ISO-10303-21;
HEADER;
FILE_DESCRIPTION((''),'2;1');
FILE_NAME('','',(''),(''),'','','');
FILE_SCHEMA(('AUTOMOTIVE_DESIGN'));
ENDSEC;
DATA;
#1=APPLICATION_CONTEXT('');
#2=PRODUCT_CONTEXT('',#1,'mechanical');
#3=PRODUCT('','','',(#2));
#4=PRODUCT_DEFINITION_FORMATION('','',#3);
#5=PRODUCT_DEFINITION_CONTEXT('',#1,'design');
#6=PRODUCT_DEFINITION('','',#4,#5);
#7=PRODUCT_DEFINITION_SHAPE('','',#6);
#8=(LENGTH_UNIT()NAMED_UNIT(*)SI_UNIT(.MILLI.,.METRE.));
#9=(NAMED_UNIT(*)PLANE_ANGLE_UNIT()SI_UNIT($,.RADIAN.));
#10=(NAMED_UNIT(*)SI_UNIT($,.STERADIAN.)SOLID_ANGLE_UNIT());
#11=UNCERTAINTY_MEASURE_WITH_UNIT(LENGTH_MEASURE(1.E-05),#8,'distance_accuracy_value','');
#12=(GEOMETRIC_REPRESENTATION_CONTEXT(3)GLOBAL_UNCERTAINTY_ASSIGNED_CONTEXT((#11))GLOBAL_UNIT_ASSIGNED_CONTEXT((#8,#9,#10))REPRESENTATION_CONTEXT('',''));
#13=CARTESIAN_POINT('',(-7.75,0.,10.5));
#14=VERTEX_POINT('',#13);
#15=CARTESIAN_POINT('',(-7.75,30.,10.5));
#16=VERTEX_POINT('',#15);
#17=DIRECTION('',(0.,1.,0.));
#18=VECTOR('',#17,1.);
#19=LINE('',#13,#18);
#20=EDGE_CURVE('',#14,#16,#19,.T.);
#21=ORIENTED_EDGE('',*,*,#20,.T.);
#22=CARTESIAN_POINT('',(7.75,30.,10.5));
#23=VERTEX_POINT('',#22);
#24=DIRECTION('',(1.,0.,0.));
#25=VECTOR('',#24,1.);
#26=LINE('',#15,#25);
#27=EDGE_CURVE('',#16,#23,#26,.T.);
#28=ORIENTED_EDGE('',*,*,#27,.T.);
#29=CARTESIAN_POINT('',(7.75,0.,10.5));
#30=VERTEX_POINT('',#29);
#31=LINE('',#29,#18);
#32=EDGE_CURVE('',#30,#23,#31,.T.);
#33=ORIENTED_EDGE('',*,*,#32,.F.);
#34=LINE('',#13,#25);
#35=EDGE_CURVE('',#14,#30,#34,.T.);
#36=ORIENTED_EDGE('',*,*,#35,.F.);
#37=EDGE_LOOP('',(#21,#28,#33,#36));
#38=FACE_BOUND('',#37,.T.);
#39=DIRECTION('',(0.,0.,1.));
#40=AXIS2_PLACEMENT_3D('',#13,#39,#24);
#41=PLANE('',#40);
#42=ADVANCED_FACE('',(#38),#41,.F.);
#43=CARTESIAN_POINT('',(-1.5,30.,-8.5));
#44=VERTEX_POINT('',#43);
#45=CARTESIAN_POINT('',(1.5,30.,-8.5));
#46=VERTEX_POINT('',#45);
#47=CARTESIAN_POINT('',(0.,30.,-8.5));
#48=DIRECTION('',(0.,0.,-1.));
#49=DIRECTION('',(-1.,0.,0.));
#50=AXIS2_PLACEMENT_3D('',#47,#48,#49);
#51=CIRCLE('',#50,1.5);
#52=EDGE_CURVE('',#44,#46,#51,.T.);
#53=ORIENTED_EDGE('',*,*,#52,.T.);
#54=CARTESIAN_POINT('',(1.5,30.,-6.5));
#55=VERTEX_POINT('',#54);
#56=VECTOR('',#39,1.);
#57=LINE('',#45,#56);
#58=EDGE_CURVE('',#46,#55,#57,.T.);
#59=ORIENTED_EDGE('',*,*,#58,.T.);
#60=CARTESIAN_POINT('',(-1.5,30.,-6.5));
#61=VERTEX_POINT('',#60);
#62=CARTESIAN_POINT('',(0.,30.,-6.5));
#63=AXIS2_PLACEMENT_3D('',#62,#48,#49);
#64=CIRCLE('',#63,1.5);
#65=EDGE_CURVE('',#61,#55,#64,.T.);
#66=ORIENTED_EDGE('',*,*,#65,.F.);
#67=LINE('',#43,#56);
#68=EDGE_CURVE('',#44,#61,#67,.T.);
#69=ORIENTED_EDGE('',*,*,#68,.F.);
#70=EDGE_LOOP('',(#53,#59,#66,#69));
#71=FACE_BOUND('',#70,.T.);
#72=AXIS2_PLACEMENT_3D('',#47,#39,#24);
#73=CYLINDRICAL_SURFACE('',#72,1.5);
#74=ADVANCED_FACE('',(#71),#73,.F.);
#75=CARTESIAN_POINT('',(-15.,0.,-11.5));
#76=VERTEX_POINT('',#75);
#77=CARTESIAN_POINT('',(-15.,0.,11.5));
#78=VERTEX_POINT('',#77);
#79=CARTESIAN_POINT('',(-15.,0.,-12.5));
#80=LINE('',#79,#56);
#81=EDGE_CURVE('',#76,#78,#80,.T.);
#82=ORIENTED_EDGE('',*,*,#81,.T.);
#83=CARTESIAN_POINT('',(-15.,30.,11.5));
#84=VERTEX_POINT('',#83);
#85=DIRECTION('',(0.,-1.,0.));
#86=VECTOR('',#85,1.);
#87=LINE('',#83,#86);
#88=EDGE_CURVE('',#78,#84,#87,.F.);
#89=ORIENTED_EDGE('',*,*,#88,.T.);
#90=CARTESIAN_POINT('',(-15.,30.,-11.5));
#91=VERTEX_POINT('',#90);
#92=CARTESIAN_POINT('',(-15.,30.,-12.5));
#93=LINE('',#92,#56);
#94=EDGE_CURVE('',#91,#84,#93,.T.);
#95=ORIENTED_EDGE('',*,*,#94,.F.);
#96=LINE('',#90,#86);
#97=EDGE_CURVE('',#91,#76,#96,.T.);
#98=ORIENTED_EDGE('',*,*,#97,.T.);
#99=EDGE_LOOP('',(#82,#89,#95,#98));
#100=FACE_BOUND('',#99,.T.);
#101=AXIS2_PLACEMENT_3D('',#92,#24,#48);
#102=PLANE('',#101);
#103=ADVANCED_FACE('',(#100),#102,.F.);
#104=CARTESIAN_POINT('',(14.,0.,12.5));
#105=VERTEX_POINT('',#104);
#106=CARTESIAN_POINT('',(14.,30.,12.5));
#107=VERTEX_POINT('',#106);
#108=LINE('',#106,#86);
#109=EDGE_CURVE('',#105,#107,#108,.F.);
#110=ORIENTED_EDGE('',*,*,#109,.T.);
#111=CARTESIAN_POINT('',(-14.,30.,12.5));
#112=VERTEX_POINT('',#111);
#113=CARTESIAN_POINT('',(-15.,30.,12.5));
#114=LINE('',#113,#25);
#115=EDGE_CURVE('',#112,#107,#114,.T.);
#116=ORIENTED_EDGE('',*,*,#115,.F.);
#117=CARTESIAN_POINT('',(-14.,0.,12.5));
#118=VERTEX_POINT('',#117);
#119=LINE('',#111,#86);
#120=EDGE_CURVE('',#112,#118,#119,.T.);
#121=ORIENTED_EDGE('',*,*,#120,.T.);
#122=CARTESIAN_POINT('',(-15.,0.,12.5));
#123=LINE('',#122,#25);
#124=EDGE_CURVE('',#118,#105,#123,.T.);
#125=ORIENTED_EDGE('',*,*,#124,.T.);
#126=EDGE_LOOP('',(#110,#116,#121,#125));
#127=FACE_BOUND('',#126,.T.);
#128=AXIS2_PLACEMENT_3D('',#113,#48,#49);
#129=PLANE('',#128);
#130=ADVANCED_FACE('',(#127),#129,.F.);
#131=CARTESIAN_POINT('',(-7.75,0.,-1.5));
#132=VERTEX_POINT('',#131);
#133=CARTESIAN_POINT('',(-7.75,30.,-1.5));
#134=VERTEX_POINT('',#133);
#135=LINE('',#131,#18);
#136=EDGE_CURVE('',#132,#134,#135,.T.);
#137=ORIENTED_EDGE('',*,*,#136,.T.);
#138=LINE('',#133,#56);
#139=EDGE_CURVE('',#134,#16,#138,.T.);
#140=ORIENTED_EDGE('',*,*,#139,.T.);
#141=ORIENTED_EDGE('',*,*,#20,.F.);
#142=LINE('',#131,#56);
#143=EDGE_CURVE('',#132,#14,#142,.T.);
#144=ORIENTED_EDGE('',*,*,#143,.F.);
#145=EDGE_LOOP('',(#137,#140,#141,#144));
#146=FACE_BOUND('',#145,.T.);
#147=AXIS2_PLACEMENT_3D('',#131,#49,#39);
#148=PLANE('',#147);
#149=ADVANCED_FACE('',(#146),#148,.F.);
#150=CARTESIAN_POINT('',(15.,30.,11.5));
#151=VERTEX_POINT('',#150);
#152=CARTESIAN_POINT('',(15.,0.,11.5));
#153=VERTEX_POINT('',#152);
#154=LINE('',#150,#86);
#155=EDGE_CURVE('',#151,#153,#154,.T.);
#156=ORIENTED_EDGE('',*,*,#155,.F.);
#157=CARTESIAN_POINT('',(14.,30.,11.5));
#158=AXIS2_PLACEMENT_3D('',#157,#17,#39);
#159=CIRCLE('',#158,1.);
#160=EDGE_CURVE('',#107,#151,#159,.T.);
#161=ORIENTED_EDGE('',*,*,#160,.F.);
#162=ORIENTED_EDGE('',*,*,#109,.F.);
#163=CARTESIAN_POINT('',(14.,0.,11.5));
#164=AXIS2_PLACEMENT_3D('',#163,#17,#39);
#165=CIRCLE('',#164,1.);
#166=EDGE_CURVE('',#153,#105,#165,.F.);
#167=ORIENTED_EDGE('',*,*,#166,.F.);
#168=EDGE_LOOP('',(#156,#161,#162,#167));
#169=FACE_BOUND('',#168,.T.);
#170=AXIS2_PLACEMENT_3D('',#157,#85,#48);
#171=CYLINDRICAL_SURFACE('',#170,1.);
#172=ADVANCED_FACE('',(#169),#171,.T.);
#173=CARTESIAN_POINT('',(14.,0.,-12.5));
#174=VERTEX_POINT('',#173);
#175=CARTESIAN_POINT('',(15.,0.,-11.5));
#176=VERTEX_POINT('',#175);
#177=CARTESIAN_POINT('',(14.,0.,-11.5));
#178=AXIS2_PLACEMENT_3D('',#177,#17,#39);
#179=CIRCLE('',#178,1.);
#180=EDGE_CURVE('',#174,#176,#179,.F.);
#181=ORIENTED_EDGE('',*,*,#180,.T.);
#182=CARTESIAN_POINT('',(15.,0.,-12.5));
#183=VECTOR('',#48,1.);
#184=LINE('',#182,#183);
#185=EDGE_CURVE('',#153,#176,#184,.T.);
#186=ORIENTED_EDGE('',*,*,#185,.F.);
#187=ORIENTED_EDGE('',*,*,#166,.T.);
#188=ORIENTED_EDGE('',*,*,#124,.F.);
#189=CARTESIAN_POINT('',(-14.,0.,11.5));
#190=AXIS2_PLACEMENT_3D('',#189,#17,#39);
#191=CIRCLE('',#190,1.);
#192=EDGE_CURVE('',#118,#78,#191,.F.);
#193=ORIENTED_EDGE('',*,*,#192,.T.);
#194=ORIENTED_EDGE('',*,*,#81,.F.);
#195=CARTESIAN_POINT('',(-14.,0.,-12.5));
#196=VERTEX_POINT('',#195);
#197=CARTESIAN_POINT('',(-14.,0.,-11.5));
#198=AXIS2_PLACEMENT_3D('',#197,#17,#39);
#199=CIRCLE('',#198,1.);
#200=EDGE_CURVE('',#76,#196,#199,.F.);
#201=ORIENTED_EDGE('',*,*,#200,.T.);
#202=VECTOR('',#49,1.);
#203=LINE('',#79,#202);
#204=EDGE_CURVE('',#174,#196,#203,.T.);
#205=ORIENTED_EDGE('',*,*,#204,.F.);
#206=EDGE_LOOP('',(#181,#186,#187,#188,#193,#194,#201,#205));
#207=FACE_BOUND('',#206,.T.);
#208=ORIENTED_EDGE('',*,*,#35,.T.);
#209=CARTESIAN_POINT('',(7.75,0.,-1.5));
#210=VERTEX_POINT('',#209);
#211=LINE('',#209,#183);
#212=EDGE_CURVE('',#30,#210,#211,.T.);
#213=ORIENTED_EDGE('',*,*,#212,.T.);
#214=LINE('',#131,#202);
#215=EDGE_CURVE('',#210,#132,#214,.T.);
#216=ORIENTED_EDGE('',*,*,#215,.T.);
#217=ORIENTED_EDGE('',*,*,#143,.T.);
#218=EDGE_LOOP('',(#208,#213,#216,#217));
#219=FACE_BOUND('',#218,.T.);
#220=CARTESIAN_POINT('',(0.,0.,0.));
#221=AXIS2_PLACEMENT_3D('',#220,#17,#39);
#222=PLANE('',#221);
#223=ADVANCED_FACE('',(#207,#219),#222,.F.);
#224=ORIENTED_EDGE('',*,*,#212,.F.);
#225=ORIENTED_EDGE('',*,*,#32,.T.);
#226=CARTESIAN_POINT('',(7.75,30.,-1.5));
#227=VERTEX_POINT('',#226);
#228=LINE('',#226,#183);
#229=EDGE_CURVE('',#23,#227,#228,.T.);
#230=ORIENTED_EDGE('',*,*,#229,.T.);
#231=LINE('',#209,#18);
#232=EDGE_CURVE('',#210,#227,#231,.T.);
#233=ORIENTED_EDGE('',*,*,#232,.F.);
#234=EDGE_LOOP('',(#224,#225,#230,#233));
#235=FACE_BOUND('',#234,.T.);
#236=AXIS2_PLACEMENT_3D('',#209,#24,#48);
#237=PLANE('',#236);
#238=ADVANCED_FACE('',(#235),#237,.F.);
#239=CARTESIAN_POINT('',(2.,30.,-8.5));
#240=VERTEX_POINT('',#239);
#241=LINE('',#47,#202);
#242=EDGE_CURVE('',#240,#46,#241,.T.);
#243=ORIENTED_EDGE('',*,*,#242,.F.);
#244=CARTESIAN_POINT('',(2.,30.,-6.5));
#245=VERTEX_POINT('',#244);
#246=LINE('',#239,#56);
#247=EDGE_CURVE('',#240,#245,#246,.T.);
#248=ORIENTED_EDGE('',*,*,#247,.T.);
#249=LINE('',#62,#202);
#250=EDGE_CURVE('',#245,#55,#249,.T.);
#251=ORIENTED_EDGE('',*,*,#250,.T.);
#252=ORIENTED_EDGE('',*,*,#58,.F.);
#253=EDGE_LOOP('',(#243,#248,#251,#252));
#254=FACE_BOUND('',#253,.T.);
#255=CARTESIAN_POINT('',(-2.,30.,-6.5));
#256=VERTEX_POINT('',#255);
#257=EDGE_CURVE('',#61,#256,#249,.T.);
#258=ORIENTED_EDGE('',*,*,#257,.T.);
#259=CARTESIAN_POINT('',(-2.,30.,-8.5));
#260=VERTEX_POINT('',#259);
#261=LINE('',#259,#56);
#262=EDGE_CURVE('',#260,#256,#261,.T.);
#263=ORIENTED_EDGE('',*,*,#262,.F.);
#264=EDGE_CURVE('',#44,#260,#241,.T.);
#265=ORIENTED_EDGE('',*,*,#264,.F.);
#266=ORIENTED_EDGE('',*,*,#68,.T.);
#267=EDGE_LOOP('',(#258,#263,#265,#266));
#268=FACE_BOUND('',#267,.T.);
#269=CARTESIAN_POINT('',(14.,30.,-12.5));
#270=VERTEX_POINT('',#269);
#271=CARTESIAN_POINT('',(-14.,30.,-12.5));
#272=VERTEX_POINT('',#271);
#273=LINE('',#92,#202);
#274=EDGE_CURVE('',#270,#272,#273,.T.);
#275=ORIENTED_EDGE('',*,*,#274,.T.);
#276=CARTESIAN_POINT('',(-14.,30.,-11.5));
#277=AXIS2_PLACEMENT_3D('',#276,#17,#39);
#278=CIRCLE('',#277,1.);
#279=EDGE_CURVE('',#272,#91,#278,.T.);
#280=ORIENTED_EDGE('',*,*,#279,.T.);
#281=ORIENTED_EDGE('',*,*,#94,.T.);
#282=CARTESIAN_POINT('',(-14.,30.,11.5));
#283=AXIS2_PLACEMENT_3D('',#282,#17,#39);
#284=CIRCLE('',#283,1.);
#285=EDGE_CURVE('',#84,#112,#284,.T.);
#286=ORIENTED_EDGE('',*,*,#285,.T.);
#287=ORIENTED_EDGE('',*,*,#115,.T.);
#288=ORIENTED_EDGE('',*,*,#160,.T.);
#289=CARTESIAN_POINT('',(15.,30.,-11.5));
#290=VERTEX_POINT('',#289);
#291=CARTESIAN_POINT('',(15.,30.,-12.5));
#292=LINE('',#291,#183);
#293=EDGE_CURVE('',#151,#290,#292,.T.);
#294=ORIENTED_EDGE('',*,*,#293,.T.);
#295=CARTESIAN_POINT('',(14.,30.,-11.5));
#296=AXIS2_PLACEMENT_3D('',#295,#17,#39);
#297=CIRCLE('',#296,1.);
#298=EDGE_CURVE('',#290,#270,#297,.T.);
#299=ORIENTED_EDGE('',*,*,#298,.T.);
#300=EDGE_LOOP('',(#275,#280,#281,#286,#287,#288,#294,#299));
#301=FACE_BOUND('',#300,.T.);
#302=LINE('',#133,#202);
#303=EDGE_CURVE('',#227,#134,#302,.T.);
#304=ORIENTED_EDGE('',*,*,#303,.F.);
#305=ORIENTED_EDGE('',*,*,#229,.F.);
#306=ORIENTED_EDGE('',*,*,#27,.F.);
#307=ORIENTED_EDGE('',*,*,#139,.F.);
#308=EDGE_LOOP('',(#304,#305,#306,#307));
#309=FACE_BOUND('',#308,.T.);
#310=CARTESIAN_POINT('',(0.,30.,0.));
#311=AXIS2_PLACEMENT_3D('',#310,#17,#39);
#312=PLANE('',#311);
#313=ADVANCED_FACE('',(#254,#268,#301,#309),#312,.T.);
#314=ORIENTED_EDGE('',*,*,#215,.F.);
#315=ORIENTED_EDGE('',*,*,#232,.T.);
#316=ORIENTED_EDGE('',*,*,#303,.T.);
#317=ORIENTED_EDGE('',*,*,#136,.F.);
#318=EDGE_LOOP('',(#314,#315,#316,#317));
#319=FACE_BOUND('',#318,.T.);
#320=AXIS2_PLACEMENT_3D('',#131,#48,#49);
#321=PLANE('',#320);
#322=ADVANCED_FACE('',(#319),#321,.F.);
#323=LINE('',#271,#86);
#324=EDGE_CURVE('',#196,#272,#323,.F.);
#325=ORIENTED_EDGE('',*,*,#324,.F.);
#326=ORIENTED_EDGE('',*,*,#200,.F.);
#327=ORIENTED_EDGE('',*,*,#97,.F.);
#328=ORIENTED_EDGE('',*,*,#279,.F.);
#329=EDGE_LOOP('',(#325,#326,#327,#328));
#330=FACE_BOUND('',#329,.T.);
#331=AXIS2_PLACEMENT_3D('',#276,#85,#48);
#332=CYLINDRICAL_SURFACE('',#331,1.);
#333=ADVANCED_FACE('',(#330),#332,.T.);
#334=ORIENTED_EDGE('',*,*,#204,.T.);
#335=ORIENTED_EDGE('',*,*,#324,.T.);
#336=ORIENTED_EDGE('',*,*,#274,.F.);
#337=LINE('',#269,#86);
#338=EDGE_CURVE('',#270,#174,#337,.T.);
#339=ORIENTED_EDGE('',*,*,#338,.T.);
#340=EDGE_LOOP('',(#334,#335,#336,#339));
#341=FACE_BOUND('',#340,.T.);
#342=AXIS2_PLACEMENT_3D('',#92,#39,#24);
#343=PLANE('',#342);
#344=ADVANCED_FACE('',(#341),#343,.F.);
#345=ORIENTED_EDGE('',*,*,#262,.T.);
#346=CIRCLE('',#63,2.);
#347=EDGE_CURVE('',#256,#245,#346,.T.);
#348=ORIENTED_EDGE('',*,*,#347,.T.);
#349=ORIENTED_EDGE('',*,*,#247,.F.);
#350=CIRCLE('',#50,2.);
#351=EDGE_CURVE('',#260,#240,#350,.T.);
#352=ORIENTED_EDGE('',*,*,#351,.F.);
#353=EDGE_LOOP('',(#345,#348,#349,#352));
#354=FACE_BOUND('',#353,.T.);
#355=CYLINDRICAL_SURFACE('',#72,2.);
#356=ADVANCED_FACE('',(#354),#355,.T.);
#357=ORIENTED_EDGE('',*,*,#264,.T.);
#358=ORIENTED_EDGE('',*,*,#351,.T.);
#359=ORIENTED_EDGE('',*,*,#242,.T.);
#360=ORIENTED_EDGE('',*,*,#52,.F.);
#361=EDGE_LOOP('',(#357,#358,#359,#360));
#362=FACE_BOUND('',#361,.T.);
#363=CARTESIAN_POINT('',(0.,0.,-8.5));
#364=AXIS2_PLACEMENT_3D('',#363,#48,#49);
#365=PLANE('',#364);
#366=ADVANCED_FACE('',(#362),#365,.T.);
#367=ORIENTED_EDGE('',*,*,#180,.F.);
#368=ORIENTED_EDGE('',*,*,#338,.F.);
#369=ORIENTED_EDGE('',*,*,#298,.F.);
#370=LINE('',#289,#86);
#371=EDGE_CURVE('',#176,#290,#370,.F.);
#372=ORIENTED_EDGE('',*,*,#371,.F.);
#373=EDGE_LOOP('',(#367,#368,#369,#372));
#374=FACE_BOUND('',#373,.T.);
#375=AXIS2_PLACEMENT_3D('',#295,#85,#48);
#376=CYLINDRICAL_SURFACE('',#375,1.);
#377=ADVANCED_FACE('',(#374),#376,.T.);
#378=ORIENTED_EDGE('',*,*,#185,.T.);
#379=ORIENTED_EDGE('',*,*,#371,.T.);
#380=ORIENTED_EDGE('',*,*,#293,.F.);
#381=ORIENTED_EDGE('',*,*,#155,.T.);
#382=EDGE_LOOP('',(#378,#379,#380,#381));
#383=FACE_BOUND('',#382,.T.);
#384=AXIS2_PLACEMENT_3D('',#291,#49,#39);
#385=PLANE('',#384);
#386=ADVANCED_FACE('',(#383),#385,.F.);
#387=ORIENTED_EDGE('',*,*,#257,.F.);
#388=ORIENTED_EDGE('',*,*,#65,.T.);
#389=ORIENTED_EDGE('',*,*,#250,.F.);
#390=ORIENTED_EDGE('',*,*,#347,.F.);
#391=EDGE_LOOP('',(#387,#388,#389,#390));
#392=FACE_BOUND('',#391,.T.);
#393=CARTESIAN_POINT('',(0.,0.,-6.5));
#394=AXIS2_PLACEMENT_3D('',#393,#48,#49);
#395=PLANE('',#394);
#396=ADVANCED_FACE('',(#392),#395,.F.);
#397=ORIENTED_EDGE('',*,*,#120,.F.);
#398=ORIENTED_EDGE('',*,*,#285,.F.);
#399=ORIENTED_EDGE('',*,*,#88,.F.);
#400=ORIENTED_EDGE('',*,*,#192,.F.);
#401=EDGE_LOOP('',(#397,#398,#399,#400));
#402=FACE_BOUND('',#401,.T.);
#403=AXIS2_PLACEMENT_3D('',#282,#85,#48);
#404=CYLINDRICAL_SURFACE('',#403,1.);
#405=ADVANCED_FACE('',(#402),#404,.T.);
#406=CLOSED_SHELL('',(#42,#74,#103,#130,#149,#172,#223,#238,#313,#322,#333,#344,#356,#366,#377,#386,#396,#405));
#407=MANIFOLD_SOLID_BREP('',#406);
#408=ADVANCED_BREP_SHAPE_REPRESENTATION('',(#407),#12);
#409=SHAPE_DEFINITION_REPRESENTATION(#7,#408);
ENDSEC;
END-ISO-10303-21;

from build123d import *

# Parameters (mm, degrees)
SKETCH1_W           = 30
SKETCH1_H           = 25
BOSS_EXTRUDE1_DEPTH = 30
SKETCH2_W           = 15.5
SKETCH2_H           = 12
CUT_EXTRUDE1_DEPTH  = 30
FILLET1_R           = 1
BOSS_EXTRUDE2_DEPTH = 1


with BuildPart() as part:
    # Sketch1 → Boss-Extrude1 (new body)
    with BuildSketch(Plane(origin=(0, 0, 0), x_dir=(1, 0, 0), z_dir=(0, 1, 0))):
        Rectangle(SKETCH1_W, SKETCH1_H)
    extrude(amount=BOSS_EXTRUDE1_DEPTH)

    # Sketch2 → Cut-Extrude1 (cut)
    with BuildSketch(Plane(origin=(0, 30, 0), x_dir=(1, 0, 0), z_dir=(0, 1, 0))):
        with Locations((0, -4.5)):
            Rectangle(SKETCH2_W, SKETCH2_H)
    extrude(amount=-CUT_EXTRUDE1_DEPTH, mode=Mode.SUBTRACT)

    # Fillet1
    fillet1_edges = [part.edges().sort_by_distance(p)[0] for p in [
        (15, 15, 12.5),
        (-15, 15, 12.5),
        (-15, 15, -12.5),
        (15, 15, -12.5),
    ]]
    fillet(fillet1_edges, radius=FILLET1_R)

    # Sketch3 → Boss-Extrude2 (add, symmetric)
    with BuildSketch(Plane(origin=(0, 0, -7.5), x_dir=(-1, 0, 0), z_dir=(0, 0, -1))):
        with BuildLine():
            ThreePointArc((2, 30), (0, 32), (-2, 30))
            Line((-2, 30), (-1.5, 30))
            ThreePointArc((-1.5, 30), (0, 31.5), (1.5, 30))
            Line((1.5, 30), (2, 30))
        make_face()
    extrude(amount=BOSS_EXTRUDE2_DEPTH, both=True)


solid = part.part
